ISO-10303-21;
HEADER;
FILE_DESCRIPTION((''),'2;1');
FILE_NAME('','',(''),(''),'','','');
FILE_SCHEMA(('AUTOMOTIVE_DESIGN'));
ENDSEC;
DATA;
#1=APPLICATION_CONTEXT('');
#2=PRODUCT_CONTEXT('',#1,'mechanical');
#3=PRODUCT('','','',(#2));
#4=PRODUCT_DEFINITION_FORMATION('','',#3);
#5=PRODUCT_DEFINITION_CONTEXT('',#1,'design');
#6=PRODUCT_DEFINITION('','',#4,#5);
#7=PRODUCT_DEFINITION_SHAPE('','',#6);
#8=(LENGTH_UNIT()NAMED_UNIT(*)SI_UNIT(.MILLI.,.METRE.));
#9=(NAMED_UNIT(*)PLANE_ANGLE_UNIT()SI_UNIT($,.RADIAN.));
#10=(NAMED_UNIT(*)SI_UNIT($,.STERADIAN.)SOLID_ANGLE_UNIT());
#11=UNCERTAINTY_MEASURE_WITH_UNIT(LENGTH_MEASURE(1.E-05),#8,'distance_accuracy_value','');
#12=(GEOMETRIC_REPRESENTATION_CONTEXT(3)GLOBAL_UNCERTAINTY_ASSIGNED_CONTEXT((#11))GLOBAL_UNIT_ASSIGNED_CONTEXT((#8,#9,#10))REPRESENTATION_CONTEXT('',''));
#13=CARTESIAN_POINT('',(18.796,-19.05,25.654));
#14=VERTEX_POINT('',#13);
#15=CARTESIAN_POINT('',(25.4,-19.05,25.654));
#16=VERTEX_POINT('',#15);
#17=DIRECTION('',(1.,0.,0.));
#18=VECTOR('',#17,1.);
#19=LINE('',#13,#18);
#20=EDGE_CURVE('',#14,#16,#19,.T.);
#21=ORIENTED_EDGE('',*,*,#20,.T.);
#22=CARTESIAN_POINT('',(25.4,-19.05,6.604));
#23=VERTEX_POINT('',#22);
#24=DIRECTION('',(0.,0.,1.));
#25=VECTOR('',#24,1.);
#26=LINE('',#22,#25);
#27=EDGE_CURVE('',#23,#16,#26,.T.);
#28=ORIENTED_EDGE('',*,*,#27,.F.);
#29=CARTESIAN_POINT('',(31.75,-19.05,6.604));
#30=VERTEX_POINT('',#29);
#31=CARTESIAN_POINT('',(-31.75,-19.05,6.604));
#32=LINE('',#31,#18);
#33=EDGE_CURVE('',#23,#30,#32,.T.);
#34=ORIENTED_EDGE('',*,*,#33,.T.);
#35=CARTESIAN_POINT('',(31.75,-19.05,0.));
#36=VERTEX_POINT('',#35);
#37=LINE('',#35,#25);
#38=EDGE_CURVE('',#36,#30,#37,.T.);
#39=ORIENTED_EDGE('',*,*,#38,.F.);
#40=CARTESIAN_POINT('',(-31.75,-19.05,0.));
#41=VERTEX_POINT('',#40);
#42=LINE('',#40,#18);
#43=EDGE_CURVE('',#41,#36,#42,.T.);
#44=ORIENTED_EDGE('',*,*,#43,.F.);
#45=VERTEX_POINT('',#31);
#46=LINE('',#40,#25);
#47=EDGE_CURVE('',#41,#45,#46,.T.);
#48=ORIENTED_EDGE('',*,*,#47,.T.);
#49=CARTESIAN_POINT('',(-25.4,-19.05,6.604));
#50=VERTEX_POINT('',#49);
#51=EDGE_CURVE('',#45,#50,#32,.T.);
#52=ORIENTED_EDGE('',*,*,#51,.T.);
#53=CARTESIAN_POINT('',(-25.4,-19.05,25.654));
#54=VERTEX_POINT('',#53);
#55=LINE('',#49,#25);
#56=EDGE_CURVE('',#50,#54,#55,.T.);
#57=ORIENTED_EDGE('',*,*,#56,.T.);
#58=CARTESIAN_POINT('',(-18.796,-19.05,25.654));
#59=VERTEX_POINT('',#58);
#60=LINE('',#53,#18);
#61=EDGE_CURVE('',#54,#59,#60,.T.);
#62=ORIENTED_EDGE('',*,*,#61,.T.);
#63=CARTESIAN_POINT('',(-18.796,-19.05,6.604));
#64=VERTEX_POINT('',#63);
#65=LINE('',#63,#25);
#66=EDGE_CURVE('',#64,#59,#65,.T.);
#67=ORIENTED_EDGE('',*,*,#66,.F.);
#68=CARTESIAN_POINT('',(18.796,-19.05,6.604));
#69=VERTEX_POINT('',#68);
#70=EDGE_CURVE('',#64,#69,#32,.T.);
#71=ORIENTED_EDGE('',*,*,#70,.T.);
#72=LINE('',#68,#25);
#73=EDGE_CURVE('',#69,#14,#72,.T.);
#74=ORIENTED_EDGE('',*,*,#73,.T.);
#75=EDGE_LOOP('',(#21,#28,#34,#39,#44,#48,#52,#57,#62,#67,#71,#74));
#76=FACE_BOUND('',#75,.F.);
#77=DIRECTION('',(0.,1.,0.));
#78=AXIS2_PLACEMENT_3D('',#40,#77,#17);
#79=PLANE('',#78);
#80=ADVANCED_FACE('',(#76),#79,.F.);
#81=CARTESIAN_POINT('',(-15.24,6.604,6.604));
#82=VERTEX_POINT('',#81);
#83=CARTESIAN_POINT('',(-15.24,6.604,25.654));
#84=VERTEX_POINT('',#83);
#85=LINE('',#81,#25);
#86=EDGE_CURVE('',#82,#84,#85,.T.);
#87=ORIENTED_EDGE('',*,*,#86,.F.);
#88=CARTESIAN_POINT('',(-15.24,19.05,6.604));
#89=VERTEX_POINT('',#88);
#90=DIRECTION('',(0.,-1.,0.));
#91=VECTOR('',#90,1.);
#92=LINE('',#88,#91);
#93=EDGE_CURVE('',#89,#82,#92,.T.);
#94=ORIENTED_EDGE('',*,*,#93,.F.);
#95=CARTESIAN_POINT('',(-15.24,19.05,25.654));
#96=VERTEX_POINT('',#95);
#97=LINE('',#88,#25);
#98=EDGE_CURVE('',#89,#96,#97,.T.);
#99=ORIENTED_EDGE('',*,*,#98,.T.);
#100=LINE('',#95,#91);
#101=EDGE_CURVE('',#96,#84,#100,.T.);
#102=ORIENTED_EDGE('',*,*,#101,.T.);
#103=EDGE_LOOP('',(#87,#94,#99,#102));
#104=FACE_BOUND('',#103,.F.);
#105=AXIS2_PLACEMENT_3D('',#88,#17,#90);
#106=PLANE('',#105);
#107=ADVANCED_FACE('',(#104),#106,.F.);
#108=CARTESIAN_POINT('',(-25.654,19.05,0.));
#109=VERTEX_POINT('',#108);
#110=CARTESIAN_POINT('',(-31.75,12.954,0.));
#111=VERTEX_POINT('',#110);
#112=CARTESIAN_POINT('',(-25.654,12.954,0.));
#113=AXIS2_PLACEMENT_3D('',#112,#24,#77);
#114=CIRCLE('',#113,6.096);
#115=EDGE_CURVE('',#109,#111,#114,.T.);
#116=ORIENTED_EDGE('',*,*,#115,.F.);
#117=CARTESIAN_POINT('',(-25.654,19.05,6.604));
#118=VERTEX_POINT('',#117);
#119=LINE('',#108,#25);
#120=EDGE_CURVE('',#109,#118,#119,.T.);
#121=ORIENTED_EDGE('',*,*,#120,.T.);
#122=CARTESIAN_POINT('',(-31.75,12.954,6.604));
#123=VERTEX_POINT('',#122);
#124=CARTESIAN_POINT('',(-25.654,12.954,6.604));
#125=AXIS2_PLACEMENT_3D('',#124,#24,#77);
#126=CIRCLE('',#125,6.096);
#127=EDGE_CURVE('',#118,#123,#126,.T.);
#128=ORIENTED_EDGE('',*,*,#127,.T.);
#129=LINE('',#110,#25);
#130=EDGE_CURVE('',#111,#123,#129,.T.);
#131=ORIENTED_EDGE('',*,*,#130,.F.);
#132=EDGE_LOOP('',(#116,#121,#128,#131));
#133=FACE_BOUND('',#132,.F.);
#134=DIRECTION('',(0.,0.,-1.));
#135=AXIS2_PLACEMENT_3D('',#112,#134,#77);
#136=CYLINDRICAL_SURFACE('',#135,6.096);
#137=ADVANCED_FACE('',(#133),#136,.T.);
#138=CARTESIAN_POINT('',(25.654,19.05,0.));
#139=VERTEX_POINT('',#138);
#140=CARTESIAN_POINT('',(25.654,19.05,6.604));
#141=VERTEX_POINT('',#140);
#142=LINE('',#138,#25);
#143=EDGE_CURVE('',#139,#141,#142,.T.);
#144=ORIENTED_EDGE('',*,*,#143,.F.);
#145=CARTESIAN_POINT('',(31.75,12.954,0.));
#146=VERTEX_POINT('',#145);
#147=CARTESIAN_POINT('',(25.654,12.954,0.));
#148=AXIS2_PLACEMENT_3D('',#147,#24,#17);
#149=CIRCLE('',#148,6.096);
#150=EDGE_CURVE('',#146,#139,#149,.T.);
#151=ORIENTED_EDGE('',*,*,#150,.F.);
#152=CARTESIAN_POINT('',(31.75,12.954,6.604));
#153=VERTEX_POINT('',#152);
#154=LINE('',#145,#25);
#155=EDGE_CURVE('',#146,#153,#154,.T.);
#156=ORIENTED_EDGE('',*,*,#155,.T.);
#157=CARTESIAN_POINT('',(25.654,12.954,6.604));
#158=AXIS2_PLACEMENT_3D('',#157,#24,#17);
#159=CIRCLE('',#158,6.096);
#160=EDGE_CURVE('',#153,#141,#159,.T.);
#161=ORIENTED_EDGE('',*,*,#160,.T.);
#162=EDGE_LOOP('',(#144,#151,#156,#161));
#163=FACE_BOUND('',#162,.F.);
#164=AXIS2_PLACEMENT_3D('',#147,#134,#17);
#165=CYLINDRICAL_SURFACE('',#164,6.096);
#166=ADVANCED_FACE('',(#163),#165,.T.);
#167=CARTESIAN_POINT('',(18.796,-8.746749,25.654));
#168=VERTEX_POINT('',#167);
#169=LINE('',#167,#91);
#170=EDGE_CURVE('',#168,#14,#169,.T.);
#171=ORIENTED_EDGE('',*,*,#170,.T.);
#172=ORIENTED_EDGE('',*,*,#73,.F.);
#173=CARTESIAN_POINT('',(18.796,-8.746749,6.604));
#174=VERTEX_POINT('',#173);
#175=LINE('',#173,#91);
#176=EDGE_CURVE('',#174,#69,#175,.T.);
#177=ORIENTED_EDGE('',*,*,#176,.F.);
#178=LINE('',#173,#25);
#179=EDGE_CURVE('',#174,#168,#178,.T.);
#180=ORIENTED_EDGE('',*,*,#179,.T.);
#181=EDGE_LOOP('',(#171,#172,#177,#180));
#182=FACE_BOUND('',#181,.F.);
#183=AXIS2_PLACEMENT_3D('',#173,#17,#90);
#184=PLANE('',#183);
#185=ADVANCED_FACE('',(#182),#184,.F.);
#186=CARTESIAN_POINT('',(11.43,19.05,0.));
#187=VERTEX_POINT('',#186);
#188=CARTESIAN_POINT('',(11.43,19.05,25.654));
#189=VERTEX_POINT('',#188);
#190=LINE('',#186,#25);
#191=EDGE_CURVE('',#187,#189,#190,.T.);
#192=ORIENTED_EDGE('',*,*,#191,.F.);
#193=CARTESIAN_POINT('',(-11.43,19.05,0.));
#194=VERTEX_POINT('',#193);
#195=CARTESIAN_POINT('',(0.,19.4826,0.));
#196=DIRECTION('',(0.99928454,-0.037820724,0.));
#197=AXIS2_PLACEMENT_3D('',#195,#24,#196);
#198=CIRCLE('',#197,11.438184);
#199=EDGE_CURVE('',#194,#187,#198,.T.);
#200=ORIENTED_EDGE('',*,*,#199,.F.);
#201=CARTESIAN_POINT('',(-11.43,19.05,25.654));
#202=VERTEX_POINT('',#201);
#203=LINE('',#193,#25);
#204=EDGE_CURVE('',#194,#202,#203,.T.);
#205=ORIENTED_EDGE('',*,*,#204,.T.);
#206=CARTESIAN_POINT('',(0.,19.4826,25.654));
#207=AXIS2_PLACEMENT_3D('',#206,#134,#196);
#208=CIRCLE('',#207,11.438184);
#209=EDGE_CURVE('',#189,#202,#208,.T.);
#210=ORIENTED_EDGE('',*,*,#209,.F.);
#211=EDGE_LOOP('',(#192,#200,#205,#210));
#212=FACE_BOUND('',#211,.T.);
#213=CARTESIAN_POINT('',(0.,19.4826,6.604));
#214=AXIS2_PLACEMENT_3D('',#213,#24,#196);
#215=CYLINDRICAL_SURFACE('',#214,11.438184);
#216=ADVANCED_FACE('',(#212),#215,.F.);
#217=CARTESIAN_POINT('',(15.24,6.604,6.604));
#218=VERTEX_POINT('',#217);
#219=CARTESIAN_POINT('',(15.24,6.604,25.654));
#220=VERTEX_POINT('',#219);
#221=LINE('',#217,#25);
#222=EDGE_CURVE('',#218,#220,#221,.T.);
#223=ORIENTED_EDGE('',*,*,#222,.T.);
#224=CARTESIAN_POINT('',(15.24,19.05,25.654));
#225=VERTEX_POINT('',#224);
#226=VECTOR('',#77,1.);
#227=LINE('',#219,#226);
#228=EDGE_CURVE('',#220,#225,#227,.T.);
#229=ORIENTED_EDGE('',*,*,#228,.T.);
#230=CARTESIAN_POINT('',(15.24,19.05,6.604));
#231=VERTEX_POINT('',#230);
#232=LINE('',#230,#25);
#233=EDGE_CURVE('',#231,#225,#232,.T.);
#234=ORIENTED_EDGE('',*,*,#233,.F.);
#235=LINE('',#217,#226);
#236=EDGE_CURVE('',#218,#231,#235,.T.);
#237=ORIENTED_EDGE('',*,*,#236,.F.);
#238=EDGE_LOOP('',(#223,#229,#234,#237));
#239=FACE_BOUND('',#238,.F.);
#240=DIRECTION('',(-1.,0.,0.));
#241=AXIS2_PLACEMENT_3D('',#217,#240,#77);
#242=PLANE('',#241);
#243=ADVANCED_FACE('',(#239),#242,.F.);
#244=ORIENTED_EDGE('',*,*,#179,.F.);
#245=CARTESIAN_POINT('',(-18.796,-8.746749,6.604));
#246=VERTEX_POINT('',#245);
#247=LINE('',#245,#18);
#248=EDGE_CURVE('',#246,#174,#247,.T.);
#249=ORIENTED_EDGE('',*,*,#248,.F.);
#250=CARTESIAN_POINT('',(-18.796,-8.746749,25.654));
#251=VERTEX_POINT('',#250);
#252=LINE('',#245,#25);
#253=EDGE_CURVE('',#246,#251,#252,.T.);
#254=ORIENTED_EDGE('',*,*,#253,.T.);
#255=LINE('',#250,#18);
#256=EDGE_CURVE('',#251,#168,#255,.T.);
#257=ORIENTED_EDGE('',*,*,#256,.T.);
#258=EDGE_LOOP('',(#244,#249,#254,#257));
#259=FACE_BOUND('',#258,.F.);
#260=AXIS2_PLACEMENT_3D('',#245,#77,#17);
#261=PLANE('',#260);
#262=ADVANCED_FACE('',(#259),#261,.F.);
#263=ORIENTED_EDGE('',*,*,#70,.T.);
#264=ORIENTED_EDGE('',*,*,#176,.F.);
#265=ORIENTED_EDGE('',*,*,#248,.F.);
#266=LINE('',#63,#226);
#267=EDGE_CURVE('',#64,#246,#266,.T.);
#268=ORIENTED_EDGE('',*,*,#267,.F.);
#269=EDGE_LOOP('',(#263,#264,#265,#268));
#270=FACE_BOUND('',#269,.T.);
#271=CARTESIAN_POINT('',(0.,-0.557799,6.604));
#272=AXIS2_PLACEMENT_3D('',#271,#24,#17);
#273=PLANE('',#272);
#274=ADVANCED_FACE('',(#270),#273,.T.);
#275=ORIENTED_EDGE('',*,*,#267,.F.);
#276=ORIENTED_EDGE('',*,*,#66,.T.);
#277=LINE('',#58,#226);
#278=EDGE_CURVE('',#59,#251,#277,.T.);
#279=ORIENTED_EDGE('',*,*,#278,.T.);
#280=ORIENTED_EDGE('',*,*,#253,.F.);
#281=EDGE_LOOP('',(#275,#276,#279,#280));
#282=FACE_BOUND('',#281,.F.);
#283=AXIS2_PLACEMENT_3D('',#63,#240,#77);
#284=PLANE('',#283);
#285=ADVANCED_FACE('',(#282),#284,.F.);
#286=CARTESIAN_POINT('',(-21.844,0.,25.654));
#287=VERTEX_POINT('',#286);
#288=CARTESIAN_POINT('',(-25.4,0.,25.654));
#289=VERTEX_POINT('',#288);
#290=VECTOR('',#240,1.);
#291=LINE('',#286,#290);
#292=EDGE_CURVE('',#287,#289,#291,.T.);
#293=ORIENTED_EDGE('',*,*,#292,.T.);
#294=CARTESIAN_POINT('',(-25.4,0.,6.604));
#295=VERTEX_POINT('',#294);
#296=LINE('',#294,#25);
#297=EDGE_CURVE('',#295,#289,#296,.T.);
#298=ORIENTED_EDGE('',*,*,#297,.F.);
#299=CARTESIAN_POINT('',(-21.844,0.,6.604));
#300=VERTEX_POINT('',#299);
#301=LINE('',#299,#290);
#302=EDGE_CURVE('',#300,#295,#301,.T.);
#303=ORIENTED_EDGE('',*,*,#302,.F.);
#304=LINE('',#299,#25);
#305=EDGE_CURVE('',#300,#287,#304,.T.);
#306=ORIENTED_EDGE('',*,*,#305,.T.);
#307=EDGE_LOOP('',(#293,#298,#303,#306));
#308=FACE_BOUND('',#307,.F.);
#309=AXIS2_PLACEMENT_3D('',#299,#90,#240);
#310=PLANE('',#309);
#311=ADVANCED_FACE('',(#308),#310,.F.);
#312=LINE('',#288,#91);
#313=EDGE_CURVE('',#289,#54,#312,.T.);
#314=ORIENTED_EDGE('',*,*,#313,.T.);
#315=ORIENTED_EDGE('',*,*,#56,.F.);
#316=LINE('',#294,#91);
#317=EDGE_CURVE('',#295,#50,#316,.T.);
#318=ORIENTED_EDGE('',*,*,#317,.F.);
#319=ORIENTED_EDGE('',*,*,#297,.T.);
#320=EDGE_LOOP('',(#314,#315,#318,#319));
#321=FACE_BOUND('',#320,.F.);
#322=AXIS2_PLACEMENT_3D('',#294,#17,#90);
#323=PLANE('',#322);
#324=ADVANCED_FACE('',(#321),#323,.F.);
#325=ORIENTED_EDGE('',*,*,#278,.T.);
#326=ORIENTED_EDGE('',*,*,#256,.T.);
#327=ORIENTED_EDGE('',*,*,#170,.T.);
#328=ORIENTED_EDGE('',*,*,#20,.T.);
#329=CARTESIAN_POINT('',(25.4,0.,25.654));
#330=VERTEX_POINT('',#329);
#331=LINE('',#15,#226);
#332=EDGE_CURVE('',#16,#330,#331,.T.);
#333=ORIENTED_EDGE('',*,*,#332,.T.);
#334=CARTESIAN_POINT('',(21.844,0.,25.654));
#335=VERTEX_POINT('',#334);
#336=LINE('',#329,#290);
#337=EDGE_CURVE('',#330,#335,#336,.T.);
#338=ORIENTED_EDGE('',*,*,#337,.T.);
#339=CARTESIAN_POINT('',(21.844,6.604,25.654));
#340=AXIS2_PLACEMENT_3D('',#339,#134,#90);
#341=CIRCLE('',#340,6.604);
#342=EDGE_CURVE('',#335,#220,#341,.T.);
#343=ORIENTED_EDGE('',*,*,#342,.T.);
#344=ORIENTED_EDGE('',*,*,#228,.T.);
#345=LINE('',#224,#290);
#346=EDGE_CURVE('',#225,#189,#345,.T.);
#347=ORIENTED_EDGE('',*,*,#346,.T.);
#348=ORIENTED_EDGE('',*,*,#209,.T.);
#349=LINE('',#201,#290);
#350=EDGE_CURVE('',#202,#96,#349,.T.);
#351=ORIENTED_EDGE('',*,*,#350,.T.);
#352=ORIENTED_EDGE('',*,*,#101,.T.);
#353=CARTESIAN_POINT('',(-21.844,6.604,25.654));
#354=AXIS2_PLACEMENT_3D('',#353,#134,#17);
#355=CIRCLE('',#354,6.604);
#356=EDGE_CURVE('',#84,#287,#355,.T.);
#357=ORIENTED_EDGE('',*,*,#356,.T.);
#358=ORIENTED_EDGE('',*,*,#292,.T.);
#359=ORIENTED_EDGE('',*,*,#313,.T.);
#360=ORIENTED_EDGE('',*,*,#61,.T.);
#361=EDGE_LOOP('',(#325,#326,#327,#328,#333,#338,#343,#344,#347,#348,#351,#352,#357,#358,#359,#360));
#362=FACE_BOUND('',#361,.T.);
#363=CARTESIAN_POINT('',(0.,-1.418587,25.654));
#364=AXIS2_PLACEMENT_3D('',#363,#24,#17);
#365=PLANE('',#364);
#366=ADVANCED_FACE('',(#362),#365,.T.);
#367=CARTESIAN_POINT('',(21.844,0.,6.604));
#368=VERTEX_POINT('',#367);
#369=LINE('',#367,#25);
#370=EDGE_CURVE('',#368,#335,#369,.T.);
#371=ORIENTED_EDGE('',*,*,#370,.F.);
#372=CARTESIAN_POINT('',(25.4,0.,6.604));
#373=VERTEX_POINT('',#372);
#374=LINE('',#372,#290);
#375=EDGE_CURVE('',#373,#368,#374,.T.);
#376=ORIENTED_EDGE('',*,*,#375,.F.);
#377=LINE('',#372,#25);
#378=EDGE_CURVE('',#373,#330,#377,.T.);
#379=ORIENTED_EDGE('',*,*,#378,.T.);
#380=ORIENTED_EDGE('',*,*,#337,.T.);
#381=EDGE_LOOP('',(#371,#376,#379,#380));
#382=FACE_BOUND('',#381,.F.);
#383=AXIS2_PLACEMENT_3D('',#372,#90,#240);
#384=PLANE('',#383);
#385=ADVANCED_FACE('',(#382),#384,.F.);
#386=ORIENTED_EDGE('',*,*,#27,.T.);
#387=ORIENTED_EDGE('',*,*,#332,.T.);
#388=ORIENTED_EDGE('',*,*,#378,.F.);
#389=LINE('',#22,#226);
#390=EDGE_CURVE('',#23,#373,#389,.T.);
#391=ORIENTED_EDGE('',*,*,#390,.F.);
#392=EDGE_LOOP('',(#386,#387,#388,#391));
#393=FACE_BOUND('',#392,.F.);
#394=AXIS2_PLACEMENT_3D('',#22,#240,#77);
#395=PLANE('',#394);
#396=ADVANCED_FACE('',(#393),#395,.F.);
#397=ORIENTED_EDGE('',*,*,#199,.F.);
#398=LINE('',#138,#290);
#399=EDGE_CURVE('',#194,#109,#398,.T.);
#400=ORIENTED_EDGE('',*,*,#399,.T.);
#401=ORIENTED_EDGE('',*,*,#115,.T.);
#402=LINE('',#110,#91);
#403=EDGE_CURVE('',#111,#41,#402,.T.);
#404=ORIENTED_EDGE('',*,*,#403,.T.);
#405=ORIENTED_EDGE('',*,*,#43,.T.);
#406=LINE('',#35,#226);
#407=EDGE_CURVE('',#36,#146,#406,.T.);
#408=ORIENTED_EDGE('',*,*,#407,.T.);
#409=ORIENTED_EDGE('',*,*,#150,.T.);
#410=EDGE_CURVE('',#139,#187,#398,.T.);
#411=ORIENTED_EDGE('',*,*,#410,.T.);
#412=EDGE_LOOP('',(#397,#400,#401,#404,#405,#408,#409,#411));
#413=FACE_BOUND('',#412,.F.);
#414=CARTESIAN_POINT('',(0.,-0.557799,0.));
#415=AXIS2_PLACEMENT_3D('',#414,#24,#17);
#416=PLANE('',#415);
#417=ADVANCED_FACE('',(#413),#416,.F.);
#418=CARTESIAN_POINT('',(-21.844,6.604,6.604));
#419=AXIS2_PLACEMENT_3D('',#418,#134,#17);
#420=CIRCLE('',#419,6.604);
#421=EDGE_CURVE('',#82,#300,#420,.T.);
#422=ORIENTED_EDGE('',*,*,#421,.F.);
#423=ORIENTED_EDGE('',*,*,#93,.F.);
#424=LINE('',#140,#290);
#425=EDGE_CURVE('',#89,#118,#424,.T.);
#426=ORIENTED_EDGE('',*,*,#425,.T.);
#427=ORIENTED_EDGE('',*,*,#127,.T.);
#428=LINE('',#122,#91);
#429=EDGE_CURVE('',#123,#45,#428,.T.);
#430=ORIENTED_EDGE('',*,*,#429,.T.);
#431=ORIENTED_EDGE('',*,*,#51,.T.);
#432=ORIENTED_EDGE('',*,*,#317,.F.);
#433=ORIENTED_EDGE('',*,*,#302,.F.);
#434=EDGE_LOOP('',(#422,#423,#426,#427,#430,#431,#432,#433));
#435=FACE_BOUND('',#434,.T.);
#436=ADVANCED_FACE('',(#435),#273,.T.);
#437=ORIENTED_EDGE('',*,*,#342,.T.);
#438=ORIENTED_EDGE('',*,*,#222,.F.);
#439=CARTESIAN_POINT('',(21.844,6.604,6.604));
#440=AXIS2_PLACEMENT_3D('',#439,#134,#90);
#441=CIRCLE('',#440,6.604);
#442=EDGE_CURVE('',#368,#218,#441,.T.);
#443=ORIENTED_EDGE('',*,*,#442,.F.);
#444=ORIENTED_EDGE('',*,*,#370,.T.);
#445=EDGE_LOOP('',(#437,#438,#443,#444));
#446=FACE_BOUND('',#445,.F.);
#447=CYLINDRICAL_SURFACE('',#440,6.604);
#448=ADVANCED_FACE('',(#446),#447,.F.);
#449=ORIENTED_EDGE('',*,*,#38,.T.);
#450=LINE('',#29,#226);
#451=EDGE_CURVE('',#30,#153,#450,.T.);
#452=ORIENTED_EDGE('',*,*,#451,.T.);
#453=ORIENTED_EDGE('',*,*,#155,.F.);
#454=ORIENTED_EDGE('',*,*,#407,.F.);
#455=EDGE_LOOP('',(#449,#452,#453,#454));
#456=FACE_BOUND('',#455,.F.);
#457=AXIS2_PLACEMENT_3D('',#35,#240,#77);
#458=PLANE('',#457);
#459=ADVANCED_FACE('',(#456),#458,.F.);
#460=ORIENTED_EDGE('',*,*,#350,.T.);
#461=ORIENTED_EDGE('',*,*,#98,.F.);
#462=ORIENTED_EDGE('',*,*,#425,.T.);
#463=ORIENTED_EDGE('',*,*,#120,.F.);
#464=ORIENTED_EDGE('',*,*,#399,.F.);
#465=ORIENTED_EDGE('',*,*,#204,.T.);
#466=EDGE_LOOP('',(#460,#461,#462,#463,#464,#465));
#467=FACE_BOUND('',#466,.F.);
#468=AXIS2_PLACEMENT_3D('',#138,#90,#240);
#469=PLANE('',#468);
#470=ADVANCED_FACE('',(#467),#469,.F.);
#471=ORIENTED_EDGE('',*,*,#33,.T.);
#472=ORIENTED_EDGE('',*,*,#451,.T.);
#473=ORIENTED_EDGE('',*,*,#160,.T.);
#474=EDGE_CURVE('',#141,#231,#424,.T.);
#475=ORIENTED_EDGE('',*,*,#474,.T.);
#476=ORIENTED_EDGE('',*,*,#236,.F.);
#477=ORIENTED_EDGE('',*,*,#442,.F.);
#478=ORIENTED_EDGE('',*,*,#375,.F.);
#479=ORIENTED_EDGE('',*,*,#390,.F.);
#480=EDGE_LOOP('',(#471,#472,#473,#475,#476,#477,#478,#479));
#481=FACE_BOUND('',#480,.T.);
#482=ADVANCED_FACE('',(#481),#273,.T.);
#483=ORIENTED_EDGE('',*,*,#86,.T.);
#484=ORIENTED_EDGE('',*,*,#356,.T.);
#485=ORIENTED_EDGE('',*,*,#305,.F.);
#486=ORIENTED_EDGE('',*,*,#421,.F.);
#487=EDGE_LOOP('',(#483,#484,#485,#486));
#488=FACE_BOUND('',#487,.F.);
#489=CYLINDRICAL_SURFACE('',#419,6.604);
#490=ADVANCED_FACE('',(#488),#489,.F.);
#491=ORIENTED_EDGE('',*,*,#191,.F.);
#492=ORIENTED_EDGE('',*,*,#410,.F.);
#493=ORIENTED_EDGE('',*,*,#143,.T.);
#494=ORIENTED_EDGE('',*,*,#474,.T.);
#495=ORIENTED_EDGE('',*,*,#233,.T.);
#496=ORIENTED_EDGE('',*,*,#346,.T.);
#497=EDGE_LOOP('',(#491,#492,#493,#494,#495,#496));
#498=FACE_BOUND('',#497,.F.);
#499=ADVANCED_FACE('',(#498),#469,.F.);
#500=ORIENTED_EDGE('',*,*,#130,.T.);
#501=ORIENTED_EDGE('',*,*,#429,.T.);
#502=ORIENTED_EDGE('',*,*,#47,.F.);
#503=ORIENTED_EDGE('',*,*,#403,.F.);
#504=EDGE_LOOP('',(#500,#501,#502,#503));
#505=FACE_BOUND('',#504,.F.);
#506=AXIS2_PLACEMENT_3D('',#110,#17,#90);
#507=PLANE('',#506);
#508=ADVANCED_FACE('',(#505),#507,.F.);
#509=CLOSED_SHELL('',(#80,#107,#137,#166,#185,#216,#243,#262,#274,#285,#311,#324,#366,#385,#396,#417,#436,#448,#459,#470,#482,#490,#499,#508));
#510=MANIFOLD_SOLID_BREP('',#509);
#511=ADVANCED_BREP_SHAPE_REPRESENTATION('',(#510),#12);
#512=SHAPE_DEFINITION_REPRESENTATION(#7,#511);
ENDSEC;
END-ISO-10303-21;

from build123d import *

# Parameters (mm, degrees)
F1_DEPTH = 6.604
F3_DEPTH = 19.05
F4_DEPTH = 25.4


with BuildPart() as f1:
    # F0 (on Top) → F1 (new body)
    with BuildSketch(Plane.XY):
        with BuildLine():
            ThreePointArc((31.75, 12.954), (29.9645229381, 17.2645229381), (25.654, 19.05))
            Line((25.654, 19.05), (-25.654, 19.05))
            ThreePointArc((-25.654, 19.05), (-29.9645229381, 17.2645229381), (-31.75, 12.954))
            Line((-31.75, 12.954), (-31.75, -19.05))
            Line((-31.75, -19.05), (31.75, -19.05))
            Line((31.75, -19.05), (31.75, 12.954))
        make_face()
    extrude(amount=F1_DEPTH)

    # F2 (on face) → F3 (join)
    with BuildSketch(Plane.XY.offset(6.604)):
        with BuildLine():
            Line((-25.4, -19.05), (-18.796, -19.05))
            Line((-18.796, -19.05), (-18.796, -8.7467487901))
            Line((-18.796, -8.7467487901), (0, -8.7467487901))
            Line((0, -8.7467487901), (18.796, -8.7467487901))
            Line((18.796, -8.7467487901), (18.796, -19.05))
            Line((18.796, -19.05), (25.4, -19.05))
            Line((25.4, -19.05), (25.4, 0))
            Line((25.4, 0), (21.844, 0))
            ThreePointArc((21.844, 0), (17.174266817, 1.934266817), (15.24, 6.604))
            Line((15.24, 6.604), (15.24, 19.05))
            Line((15.24, 19.05), (11.43, 19.05))
            ThreePointArc((11.43, 19.05), (0, 8.0444168312), (-11.43, 19.05))
            Line((-11.43, 19.05), (-15.24, 19.05))
            Line((-15.24, 19.05), (-15.24, 6.604))
            ThreePointArc((-15.24, 6.604), (-17.174266817, 1.934266817), (-21.844, 0))
            Line((-21.844, 0), (-25.4, 0))
            Line((-25.4, 0), (-25.4, -19.05))
        make_face()
    extrude(amount=F3_DEPTH)

    # F4 (cut): a face of the model
    f4_faces = [f1.faces().sort_by_distance(p)[0] for p in [
        (0, 14.3934898102, 6.604),
    ]]
    extrude(f4_faces, amount=-F4_DEPTH, mode=Mode.SUBTRACT)


solid = f1.part
